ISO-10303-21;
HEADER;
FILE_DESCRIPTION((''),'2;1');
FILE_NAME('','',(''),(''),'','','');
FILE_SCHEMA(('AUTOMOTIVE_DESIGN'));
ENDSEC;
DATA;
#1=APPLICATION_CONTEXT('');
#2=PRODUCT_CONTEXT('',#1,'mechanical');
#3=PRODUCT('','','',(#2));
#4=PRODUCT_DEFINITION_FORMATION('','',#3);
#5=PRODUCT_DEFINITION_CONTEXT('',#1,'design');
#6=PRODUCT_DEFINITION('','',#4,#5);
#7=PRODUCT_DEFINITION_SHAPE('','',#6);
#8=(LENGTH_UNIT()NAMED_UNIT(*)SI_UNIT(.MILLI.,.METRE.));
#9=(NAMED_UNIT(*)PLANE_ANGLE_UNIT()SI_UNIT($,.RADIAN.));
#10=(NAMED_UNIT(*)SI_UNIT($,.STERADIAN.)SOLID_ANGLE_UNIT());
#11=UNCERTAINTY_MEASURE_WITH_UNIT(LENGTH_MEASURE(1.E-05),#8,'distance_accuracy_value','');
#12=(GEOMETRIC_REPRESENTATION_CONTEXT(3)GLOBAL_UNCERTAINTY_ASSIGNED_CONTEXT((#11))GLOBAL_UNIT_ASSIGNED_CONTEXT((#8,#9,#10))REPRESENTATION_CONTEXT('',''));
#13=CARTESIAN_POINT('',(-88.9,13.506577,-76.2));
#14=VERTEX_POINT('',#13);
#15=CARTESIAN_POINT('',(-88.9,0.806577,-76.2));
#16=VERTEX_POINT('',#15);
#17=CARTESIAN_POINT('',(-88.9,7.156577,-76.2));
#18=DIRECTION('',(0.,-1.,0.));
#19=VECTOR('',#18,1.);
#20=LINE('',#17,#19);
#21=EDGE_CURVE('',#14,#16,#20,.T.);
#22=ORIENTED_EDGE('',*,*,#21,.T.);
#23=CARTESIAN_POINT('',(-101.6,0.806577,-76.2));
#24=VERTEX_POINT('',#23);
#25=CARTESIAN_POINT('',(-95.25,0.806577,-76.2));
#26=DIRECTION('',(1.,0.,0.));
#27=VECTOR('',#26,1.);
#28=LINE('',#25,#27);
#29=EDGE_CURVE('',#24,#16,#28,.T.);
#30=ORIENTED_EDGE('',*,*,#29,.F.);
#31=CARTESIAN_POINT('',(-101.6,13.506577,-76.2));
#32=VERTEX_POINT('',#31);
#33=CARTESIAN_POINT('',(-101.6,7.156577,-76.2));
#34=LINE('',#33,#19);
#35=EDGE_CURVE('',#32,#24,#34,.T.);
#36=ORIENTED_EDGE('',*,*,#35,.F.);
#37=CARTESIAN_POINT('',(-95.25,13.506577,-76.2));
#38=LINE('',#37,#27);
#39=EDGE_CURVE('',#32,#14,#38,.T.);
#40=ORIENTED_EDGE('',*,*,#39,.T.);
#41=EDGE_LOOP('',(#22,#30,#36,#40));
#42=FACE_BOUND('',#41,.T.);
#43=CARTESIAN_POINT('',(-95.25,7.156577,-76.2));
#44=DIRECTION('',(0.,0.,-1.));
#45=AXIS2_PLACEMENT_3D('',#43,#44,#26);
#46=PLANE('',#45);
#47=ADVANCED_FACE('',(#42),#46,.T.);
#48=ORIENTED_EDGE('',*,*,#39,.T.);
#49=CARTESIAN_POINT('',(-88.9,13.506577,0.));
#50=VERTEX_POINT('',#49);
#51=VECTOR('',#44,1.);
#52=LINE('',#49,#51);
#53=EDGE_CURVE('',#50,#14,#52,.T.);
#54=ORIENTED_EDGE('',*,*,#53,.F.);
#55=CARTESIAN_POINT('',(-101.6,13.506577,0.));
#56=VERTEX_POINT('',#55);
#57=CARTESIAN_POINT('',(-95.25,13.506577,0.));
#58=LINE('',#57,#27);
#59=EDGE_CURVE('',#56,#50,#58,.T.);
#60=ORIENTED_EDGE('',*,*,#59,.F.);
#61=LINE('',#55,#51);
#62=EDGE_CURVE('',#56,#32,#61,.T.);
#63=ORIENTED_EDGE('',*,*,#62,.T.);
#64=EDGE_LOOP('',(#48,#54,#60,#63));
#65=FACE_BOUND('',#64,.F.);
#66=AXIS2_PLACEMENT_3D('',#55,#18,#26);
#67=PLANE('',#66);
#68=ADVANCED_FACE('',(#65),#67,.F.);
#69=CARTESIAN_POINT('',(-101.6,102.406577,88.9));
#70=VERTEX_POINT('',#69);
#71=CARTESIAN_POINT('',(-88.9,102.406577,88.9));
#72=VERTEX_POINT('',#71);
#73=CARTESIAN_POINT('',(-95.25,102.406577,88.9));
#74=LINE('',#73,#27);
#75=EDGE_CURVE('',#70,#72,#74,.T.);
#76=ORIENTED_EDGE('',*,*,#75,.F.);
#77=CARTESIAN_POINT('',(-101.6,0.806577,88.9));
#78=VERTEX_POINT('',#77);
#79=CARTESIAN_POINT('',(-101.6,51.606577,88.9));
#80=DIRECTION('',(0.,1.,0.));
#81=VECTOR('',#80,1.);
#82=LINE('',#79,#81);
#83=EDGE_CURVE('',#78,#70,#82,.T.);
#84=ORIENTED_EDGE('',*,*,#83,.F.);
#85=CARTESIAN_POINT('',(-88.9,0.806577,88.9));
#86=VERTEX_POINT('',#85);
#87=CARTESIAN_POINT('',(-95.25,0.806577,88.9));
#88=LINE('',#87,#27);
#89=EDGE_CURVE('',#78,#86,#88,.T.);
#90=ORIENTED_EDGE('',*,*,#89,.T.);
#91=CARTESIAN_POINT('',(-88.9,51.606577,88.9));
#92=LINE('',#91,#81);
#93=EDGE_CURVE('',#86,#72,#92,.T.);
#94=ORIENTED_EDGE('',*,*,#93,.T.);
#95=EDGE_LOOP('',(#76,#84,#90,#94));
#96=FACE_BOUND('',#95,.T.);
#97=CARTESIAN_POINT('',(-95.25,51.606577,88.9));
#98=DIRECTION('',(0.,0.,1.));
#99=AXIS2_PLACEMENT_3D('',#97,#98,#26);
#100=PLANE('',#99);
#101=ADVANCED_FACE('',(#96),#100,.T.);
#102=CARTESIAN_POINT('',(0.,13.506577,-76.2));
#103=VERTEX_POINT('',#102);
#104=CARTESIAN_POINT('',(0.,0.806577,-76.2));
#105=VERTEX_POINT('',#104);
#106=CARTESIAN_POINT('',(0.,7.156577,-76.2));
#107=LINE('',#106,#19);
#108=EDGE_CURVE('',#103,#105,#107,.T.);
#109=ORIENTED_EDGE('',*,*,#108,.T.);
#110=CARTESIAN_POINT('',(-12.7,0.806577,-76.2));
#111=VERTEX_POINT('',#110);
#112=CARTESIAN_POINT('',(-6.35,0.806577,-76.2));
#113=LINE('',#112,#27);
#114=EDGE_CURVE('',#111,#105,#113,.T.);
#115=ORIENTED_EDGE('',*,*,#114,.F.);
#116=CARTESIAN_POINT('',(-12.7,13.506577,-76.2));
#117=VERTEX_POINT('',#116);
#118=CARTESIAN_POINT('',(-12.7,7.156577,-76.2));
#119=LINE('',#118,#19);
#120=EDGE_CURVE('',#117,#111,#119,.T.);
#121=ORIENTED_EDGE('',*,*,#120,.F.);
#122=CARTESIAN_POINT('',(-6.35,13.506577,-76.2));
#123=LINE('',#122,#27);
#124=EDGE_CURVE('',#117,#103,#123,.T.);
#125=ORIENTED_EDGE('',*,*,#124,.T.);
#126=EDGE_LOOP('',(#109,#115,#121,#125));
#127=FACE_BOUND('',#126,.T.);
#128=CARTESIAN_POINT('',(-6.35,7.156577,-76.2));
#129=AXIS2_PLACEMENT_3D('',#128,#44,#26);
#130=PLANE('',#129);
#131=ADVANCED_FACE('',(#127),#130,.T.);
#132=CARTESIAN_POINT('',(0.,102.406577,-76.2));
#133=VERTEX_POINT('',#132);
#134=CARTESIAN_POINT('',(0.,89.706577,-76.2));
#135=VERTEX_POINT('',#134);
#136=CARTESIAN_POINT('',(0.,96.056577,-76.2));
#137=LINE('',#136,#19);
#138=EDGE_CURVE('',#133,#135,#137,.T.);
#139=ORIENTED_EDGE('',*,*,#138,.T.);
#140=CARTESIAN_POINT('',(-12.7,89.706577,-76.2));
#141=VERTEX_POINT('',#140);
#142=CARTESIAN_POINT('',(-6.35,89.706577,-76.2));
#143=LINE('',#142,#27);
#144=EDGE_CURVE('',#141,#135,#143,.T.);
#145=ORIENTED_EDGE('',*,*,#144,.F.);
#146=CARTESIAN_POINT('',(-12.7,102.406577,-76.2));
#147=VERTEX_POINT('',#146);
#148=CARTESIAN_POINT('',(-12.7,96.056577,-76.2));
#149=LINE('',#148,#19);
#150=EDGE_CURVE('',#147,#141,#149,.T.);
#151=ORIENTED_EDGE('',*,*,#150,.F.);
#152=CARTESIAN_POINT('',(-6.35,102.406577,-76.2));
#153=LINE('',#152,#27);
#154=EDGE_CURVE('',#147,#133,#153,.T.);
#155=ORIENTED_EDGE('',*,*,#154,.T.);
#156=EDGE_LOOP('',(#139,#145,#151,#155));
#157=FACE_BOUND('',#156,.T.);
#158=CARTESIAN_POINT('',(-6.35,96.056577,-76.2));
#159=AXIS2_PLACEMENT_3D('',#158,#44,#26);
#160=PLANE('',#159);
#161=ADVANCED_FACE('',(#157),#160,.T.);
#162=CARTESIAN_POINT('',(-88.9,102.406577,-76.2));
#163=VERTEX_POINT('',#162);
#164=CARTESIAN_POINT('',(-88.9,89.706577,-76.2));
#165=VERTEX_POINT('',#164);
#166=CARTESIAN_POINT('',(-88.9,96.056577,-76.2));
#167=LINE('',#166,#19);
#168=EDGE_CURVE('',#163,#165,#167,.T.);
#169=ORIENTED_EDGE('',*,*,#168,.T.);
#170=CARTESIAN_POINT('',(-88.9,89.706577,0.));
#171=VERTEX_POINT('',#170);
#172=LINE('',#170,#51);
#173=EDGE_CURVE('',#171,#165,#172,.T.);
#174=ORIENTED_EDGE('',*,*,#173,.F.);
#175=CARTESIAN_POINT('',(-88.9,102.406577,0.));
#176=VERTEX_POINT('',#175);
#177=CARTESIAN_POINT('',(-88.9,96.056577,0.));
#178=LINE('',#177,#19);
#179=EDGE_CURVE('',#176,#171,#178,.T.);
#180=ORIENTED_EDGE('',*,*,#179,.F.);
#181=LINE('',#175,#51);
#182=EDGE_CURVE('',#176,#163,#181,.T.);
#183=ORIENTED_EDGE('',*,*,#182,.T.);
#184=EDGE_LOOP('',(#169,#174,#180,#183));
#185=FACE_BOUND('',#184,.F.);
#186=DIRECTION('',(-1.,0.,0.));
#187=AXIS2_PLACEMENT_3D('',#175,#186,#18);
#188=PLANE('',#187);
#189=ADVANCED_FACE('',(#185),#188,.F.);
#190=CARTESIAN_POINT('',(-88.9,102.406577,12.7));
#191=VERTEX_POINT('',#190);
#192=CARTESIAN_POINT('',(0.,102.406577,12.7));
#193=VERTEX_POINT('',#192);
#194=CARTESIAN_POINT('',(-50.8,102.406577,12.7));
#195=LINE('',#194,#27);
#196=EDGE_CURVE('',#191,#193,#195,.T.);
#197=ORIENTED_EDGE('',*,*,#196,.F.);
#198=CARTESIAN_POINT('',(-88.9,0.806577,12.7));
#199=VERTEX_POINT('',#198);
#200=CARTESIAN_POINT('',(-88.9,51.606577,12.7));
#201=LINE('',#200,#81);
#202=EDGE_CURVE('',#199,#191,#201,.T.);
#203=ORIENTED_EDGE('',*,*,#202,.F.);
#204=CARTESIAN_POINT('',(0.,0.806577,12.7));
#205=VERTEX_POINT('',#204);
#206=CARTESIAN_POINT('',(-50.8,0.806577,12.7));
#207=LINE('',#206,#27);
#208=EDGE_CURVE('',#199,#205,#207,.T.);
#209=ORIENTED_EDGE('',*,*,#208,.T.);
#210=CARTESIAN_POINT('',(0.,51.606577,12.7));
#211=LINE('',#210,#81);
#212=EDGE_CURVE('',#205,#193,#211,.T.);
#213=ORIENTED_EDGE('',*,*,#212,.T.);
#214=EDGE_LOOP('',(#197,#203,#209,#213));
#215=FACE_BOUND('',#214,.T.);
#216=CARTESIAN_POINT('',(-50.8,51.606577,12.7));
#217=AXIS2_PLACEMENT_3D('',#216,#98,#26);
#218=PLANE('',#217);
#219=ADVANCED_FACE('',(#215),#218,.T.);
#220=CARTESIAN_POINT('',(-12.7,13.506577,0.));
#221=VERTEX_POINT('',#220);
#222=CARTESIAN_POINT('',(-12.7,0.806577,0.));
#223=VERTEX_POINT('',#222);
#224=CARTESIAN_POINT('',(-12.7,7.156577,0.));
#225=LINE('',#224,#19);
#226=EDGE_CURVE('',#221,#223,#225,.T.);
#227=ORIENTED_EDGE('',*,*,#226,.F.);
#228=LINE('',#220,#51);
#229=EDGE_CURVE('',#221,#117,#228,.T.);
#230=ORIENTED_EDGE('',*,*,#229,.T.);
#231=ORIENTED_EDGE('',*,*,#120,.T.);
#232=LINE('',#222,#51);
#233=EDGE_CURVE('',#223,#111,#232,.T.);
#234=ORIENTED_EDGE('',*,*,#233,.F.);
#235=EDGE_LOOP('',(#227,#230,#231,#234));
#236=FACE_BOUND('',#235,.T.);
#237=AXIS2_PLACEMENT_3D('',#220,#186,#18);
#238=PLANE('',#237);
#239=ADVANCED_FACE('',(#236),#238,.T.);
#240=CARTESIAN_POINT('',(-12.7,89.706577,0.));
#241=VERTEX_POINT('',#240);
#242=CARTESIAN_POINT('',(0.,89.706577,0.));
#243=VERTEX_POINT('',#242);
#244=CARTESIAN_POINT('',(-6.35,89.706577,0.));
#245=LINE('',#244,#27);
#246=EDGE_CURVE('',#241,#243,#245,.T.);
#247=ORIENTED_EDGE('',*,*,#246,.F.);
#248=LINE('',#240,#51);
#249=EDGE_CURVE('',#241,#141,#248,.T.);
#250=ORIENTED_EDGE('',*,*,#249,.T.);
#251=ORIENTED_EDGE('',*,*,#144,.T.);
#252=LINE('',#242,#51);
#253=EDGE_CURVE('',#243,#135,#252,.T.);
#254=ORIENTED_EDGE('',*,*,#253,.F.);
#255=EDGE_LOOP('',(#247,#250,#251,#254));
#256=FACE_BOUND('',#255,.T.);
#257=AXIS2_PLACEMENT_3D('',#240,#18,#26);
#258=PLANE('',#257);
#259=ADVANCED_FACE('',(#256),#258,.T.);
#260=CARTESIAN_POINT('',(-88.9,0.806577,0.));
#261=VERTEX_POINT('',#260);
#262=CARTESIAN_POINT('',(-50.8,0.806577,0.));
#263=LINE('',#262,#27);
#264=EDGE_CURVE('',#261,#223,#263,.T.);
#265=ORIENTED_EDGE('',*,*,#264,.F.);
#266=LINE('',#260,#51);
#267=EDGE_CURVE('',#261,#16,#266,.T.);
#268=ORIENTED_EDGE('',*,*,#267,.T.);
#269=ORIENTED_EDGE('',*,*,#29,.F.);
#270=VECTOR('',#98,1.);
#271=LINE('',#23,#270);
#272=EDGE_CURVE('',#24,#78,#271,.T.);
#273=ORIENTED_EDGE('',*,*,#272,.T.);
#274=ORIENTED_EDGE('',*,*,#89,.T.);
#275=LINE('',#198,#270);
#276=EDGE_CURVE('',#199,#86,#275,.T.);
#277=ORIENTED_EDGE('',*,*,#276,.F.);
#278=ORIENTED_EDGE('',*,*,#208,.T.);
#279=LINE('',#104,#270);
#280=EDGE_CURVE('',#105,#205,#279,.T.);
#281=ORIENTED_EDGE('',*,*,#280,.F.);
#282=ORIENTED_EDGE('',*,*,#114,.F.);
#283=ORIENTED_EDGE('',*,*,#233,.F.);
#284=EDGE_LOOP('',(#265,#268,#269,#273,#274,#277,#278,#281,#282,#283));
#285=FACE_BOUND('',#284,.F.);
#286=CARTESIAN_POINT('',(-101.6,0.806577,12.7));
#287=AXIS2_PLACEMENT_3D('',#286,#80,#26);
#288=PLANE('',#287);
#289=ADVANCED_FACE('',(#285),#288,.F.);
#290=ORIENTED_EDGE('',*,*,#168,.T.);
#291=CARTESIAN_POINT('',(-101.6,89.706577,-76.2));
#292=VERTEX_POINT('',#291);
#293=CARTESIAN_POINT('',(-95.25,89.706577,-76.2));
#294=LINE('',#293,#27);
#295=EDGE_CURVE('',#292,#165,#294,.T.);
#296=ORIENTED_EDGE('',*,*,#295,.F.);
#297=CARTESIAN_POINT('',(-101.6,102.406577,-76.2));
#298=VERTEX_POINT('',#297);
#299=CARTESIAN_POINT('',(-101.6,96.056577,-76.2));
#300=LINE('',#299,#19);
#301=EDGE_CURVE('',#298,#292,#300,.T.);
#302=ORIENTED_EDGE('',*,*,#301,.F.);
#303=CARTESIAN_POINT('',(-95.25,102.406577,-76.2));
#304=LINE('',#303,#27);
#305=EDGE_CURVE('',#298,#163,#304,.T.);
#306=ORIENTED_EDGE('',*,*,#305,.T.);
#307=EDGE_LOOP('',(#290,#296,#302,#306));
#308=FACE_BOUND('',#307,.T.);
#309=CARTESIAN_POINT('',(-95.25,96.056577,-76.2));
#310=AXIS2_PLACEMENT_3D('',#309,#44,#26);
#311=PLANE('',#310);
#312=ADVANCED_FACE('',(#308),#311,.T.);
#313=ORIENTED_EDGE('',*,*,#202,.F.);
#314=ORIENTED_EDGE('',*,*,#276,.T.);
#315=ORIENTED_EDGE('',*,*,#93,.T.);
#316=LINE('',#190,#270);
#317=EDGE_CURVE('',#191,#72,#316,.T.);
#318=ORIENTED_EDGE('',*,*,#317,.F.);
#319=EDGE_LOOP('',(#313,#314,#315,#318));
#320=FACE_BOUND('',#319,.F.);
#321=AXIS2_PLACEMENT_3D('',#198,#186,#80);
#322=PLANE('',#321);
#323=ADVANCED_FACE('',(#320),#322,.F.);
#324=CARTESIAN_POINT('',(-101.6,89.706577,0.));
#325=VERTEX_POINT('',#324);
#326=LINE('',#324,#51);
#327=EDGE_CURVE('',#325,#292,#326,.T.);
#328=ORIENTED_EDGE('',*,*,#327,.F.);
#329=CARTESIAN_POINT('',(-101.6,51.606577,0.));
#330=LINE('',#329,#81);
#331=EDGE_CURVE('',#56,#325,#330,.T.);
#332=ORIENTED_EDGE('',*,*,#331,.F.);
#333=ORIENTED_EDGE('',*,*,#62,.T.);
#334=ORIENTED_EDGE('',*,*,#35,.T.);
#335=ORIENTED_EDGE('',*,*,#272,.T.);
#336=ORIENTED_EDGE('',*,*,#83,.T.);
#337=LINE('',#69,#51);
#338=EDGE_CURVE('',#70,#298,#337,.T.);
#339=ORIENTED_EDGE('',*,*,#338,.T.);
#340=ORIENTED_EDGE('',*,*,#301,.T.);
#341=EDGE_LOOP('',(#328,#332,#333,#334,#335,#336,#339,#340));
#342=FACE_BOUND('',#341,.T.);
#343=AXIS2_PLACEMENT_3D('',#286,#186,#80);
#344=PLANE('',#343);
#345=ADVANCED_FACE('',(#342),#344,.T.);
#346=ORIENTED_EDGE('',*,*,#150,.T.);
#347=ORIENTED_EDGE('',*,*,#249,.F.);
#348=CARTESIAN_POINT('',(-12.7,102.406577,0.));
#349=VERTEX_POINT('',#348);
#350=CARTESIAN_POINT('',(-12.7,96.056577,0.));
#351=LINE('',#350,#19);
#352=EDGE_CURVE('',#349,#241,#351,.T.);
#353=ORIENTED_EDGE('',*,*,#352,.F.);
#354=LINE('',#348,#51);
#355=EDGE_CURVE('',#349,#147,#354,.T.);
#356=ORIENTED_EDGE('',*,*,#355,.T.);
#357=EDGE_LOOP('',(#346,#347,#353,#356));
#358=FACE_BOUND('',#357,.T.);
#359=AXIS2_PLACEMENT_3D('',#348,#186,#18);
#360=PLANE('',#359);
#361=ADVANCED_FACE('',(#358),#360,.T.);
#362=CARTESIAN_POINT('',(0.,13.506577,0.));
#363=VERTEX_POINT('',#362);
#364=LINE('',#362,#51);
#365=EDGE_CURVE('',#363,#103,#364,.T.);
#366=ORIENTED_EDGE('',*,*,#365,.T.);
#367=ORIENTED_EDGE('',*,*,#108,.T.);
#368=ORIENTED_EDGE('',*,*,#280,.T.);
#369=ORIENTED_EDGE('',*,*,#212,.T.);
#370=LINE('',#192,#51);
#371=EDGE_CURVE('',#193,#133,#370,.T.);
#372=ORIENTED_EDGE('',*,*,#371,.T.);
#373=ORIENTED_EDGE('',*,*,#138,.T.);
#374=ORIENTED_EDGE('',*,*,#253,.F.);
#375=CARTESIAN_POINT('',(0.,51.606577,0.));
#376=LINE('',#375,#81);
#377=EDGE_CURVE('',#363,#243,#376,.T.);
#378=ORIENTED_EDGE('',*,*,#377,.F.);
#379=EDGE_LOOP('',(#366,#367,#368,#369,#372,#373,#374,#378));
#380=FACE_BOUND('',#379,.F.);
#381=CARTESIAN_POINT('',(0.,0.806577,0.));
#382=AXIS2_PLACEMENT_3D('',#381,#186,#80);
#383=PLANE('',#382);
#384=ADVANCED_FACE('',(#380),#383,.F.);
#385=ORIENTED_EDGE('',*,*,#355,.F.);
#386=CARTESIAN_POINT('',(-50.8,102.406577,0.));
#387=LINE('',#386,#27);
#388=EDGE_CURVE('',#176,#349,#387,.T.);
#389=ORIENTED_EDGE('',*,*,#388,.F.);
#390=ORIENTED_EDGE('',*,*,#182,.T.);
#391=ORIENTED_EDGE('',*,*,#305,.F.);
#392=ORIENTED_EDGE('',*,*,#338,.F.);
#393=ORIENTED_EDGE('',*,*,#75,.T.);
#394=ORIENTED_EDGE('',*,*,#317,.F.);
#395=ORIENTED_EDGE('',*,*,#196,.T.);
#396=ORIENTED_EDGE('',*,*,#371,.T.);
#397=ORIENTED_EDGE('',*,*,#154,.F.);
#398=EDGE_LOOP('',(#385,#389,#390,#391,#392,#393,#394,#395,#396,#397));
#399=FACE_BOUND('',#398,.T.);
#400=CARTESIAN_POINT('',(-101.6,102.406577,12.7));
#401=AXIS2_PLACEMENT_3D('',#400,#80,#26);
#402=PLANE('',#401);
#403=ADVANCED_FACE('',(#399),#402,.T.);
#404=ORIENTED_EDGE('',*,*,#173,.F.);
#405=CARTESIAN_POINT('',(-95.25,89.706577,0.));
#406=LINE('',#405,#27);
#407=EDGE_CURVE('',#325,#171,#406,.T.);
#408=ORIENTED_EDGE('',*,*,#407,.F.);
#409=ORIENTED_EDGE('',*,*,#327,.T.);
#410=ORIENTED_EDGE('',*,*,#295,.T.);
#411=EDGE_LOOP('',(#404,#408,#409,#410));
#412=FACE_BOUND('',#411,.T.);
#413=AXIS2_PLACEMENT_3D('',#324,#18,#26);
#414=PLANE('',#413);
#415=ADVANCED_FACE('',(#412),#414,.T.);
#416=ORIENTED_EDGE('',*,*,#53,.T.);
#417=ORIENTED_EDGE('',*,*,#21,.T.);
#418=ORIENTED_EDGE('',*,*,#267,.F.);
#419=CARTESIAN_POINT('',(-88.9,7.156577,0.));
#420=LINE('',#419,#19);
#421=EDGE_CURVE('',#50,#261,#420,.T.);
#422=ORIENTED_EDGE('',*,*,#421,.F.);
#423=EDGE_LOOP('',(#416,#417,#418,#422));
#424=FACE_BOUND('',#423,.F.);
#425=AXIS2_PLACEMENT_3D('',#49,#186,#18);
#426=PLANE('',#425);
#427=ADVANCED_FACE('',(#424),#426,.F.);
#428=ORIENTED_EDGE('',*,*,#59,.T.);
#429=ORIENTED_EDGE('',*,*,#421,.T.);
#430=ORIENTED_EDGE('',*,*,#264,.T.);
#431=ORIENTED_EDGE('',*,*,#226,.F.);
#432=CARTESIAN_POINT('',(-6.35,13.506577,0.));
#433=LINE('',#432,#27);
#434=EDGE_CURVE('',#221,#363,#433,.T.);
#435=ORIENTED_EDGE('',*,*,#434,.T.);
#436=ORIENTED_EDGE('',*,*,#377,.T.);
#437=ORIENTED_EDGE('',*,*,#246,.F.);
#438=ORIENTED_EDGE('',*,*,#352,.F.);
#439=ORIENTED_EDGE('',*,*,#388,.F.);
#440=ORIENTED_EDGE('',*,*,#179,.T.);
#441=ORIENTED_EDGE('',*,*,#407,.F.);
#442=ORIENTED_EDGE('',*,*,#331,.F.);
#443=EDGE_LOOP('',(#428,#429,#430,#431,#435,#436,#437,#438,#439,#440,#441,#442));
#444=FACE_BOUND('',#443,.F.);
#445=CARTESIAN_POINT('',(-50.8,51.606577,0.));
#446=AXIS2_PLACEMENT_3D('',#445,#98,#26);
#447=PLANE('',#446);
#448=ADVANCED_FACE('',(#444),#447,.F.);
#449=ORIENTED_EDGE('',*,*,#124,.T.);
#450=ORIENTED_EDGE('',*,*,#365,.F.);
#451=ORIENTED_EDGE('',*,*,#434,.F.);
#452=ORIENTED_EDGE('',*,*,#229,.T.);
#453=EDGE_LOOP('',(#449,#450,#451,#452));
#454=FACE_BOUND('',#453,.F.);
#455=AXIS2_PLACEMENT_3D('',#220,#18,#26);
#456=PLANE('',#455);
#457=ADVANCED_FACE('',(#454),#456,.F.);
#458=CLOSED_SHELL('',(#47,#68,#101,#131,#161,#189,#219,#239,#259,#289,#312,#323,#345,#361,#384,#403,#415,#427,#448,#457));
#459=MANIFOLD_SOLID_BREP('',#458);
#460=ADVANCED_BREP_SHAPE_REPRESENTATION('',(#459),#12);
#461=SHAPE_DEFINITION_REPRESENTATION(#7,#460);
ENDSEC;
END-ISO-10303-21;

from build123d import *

# Parameters (mm, degrees)
F0_W     = 101.6
F0_H     = 101.6
F1_DEPTH = 12.7
F2_W     = 12.7
F2_H     = 12.7
F3_DEPTH = 76.2
F4_W     = 12.7
F4_H     = 101.6
F5_DEPTH = 76.2


with BuildPart() as f1:
    # F0 (on Top) → F1 (new body)
    with BuildSketch(Plane.XY):
        with Locations((-50.8, 51.606577)):
            Rectangle(F0_W, F0_H)
    extrude(amount=F1_DEPTH)

    # F2 (on face) → F3 (join)
    with BuildSketch(Plane(origin=(0, 0, 0), x_dir=(1, 0, 0), z_dir=(0, 0, -1))):
        with Locations((-95.25, -7.156577)):
            Rectangle(F2_W, F2_H)
        with Locations((-6.35, -7.156577)):
            Rectangle(F2_W, F2_H)
        with Locations((-6.35, -96.056577)):
            Rectangle(F2_W, F2_H)
        with Locations((-95.25, -96.056577)):
            Rectangle(F2_W, F2_H)
    extrude(amount=F3_DEPTH)

    # F4 (on face) → F5 (join)
    with BuildSketch(Plane.XY.offset(12.7)):
        with Locations((-95.25, 51.606577)):
            Rectangle(F4_W, F4_H)
    extrude(amount=F5_DEPTH)


solid = f1.part
